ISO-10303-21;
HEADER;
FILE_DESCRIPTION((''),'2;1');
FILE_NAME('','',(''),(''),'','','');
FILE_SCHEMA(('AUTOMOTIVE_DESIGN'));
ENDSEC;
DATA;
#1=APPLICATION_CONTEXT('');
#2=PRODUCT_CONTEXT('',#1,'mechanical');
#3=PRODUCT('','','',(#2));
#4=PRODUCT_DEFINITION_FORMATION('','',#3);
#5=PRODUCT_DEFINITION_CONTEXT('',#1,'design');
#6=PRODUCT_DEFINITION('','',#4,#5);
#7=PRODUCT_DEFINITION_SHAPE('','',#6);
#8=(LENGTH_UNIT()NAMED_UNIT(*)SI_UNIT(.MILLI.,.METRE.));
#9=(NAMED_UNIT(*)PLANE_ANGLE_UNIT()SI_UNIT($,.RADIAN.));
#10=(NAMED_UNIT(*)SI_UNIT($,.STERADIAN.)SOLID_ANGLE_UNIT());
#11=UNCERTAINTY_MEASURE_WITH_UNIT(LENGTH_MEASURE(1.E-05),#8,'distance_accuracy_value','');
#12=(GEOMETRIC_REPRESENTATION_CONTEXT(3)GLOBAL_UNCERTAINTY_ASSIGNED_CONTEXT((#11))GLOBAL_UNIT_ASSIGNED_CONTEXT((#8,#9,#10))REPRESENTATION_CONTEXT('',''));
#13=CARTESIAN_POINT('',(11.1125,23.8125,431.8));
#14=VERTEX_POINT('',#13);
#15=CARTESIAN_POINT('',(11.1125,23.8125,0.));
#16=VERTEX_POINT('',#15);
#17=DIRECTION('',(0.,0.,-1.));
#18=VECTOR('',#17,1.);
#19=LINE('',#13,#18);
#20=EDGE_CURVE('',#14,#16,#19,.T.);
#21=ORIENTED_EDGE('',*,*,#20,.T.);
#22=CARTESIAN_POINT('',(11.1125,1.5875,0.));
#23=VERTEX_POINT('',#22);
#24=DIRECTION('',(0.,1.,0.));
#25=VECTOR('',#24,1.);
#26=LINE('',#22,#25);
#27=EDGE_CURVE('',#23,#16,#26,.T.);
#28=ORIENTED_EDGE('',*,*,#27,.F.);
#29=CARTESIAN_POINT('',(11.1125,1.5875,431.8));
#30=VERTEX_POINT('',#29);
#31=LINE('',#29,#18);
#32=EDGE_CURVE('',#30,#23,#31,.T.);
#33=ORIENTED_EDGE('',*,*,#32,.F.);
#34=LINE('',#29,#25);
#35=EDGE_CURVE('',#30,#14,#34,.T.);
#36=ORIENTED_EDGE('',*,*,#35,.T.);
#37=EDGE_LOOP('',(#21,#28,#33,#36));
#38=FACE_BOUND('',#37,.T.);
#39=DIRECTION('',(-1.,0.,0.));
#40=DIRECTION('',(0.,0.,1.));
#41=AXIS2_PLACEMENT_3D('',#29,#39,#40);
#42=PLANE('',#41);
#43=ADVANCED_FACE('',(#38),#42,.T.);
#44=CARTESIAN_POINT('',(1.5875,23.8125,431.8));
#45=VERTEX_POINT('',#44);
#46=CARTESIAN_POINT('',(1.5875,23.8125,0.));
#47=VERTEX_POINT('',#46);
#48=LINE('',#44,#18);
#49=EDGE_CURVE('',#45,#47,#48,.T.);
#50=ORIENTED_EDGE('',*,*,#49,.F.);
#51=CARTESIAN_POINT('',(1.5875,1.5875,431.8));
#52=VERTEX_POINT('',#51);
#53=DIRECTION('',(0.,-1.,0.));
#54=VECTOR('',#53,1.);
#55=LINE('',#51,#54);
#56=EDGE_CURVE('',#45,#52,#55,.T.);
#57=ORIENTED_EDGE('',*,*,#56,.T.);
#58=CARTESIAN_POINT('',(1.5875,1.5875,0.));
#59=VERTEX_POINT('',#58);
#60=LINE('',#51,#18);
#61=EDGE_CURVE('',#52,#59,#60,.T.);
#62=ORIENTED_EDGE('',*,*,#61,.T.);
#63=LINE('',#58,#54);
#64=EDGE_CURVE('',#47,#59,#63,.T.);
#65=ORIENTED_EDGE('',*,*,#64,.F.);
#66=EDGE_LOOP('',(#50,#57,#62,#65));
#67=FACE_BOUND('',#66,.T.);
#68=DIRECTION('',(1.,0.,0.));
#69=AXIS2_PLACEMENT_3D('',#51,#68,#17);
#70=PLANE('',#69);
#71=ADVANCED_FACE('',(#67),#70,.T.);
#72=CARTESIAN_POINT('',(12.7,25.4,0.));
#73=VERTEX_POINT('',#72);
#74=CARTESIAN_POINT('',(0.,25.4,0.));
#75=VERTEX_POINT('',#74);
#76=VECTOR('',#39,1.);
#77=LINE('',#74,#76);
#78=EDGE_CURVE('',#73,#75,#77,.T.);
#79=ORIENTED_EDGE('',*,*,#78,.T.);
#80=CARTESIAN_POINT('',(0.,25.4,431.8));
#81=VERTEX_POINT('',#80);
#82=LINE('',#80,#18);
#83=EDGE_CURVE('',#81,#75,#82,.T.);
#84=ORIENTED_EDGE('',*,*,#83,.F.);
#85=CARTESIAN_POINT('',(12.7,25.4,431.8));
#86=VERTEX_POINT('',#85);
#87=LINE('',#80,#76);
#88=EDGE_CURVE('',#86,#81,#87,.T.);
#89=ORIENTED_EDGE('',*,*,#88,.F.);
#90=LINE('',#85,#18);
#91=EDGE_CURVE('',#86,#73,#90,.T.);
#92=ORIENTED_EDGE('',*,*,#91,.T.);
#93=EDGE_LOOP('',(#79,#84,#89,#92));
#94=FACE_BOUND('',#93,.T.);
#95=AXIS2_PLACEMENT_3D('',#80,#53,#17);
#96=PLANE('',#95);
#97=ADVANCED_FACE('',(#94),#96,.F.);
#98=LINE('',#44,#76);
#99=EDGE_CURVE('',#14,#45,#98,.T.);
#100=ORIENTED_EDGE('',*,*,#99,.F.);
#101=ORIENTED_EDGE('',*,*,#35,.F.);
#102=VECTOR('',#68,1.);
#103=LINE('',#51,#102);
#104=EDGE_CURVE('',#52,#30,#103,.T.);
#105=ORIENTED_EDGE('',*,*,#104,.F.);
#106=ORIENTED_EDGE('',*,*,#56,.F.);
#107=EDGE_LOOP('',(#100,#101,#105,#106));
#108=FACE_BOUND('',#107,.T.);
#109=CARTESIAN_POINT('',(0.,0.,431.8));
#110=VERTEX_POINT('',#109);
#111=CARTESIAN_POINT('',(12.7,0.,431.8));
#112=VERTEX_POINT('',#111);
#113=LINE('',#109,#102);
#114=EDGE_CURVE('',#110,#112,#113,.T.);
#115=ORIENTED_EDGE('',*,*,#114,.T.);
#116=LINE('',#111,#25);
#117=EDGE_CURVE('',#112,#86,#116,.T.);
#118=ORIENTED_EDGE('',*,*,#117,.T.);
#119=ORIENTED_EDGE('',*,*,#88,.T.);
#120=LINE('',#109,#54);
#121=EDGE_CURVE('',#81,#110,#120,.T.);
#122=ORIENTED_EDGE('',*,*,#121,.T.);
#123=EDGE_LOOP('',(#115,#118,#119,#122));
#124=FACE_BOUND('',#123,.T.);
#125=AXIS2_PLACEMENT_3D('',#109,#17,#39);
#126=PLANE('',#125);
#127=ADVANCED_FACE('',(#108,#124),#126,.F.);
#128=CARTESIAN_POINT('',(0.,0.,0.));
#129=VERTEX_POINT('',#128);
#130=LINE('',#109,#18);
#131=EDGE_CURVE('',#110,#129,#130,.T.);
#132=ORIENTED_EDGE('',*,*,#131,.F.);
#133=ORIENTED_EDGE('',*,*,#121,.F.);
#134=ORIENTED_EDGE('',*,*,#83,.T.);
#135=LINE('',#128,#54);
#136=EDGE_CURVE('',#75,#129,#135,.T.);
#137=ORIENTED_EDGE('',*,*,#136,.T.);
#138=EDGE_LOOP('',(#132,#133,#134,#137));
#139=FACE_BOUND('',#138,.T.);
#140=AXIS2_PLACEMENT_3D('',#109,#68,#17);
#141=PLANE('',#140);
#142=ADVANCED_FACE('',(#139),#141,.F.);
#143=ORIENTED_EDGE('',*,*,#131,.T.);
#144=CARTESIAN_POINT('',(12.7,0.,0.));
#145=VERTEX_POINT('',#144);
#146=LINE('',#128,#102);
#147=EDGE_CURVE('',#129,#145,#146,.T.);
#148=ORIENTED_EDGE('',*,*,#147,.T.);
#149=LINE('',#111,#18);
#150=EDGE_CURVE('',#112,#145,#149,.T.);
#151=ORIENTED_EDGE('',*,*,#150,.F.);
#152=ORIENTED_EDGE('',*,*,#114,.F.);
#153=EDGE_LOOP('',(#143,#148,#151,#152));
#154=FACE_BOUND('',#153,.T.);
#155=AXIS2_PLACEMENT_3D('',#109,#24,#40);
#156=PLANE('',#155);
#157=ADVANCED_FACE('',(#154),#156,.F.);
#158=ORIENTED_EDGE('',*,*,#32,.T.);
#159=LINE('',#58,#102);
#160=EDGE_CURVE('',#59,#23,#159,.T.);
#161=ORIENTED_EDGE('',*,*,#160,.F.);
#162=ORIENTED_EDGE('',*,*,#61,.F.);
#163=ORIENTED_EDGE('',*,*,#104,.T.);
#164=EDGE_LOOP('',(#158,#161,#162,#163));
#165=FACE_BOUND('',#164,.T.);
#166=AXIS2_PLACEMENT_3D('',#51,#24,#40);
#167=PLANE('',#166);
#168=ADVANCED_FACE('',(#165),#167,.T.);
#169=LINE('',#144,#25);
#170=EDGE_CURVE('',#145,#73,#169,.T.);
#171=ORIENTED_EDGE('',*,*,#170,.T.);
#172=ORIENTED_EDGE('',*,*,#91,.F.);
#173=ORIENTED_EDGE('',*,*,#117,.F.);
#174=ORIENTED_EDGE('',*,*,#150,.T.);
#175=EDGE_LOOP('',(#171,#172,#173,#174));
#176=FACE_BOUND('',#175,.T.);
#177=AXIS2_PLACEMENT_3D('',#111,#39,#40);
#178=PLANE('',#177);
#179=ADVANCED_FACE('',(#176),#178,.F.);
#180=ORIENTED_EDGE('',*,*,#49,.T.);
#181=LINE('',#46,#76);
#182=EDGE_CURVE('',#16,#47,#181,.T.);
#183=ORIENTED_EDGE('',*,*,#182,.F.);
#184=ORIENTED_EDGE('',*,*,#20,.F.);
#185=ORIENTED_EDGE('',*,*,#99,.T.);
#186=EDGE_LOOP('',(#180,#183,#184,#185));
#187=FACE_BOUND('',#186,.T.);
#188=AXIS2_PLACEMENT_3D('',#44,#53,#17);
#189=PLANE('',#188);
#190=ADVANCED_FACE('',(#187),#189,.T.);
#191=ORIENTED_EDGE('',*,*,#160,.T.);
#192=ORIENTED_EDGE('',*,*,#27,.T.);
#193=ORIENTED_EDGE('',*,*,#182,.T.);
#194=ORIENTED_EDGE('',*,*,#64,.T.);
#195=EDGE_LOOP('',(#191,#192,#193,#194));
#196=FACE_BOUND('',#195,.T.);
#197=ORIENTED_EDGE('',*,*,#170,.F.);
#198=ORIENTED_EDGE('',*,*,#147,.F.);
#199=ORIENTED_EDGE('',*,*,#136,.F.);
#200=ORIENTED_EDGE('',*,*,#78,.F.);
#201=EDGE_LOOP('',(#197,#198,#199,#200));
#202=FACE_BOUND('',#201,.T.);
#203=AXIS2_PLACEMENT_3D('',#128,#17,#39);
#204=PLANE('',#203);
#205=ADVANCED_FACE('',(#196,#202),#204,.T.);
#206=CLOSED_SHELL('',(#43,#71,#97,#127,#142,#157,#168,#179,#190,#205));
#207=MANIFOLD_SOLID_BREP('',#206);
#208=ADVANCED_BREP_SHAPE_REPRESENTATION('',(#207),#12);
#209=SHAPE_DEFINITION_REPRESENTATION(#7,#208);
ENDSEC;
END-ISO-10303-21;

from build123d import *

# Parameters (mm, degrees)
SKETCH1_W           = 12.7
SKETCH1_H           = 25.4
SKETCH1_W_2         = 9.525
SKETCH1_H_2         = 22.225
BOSS_EXTRUDE1_DEPTH = 431.8


with BuildPart() as part:
    # Sketch1 → Boss-Extrude1 (new body)
    with BuildSketch(Plane.XY):
        with Locations((6.35, 12.7)):
            Rectangle(SKETCH1_W, SKETCH1_H)
        with Locations((6.35, 12.7)):
            Rectangle(SKETCH1_W_2, SKETCH1_H_2, mode=Mode.SUBTRACT)
    extrude(amount=BOSS_EXTRUDE1_DEPTH)


solid = part.part
